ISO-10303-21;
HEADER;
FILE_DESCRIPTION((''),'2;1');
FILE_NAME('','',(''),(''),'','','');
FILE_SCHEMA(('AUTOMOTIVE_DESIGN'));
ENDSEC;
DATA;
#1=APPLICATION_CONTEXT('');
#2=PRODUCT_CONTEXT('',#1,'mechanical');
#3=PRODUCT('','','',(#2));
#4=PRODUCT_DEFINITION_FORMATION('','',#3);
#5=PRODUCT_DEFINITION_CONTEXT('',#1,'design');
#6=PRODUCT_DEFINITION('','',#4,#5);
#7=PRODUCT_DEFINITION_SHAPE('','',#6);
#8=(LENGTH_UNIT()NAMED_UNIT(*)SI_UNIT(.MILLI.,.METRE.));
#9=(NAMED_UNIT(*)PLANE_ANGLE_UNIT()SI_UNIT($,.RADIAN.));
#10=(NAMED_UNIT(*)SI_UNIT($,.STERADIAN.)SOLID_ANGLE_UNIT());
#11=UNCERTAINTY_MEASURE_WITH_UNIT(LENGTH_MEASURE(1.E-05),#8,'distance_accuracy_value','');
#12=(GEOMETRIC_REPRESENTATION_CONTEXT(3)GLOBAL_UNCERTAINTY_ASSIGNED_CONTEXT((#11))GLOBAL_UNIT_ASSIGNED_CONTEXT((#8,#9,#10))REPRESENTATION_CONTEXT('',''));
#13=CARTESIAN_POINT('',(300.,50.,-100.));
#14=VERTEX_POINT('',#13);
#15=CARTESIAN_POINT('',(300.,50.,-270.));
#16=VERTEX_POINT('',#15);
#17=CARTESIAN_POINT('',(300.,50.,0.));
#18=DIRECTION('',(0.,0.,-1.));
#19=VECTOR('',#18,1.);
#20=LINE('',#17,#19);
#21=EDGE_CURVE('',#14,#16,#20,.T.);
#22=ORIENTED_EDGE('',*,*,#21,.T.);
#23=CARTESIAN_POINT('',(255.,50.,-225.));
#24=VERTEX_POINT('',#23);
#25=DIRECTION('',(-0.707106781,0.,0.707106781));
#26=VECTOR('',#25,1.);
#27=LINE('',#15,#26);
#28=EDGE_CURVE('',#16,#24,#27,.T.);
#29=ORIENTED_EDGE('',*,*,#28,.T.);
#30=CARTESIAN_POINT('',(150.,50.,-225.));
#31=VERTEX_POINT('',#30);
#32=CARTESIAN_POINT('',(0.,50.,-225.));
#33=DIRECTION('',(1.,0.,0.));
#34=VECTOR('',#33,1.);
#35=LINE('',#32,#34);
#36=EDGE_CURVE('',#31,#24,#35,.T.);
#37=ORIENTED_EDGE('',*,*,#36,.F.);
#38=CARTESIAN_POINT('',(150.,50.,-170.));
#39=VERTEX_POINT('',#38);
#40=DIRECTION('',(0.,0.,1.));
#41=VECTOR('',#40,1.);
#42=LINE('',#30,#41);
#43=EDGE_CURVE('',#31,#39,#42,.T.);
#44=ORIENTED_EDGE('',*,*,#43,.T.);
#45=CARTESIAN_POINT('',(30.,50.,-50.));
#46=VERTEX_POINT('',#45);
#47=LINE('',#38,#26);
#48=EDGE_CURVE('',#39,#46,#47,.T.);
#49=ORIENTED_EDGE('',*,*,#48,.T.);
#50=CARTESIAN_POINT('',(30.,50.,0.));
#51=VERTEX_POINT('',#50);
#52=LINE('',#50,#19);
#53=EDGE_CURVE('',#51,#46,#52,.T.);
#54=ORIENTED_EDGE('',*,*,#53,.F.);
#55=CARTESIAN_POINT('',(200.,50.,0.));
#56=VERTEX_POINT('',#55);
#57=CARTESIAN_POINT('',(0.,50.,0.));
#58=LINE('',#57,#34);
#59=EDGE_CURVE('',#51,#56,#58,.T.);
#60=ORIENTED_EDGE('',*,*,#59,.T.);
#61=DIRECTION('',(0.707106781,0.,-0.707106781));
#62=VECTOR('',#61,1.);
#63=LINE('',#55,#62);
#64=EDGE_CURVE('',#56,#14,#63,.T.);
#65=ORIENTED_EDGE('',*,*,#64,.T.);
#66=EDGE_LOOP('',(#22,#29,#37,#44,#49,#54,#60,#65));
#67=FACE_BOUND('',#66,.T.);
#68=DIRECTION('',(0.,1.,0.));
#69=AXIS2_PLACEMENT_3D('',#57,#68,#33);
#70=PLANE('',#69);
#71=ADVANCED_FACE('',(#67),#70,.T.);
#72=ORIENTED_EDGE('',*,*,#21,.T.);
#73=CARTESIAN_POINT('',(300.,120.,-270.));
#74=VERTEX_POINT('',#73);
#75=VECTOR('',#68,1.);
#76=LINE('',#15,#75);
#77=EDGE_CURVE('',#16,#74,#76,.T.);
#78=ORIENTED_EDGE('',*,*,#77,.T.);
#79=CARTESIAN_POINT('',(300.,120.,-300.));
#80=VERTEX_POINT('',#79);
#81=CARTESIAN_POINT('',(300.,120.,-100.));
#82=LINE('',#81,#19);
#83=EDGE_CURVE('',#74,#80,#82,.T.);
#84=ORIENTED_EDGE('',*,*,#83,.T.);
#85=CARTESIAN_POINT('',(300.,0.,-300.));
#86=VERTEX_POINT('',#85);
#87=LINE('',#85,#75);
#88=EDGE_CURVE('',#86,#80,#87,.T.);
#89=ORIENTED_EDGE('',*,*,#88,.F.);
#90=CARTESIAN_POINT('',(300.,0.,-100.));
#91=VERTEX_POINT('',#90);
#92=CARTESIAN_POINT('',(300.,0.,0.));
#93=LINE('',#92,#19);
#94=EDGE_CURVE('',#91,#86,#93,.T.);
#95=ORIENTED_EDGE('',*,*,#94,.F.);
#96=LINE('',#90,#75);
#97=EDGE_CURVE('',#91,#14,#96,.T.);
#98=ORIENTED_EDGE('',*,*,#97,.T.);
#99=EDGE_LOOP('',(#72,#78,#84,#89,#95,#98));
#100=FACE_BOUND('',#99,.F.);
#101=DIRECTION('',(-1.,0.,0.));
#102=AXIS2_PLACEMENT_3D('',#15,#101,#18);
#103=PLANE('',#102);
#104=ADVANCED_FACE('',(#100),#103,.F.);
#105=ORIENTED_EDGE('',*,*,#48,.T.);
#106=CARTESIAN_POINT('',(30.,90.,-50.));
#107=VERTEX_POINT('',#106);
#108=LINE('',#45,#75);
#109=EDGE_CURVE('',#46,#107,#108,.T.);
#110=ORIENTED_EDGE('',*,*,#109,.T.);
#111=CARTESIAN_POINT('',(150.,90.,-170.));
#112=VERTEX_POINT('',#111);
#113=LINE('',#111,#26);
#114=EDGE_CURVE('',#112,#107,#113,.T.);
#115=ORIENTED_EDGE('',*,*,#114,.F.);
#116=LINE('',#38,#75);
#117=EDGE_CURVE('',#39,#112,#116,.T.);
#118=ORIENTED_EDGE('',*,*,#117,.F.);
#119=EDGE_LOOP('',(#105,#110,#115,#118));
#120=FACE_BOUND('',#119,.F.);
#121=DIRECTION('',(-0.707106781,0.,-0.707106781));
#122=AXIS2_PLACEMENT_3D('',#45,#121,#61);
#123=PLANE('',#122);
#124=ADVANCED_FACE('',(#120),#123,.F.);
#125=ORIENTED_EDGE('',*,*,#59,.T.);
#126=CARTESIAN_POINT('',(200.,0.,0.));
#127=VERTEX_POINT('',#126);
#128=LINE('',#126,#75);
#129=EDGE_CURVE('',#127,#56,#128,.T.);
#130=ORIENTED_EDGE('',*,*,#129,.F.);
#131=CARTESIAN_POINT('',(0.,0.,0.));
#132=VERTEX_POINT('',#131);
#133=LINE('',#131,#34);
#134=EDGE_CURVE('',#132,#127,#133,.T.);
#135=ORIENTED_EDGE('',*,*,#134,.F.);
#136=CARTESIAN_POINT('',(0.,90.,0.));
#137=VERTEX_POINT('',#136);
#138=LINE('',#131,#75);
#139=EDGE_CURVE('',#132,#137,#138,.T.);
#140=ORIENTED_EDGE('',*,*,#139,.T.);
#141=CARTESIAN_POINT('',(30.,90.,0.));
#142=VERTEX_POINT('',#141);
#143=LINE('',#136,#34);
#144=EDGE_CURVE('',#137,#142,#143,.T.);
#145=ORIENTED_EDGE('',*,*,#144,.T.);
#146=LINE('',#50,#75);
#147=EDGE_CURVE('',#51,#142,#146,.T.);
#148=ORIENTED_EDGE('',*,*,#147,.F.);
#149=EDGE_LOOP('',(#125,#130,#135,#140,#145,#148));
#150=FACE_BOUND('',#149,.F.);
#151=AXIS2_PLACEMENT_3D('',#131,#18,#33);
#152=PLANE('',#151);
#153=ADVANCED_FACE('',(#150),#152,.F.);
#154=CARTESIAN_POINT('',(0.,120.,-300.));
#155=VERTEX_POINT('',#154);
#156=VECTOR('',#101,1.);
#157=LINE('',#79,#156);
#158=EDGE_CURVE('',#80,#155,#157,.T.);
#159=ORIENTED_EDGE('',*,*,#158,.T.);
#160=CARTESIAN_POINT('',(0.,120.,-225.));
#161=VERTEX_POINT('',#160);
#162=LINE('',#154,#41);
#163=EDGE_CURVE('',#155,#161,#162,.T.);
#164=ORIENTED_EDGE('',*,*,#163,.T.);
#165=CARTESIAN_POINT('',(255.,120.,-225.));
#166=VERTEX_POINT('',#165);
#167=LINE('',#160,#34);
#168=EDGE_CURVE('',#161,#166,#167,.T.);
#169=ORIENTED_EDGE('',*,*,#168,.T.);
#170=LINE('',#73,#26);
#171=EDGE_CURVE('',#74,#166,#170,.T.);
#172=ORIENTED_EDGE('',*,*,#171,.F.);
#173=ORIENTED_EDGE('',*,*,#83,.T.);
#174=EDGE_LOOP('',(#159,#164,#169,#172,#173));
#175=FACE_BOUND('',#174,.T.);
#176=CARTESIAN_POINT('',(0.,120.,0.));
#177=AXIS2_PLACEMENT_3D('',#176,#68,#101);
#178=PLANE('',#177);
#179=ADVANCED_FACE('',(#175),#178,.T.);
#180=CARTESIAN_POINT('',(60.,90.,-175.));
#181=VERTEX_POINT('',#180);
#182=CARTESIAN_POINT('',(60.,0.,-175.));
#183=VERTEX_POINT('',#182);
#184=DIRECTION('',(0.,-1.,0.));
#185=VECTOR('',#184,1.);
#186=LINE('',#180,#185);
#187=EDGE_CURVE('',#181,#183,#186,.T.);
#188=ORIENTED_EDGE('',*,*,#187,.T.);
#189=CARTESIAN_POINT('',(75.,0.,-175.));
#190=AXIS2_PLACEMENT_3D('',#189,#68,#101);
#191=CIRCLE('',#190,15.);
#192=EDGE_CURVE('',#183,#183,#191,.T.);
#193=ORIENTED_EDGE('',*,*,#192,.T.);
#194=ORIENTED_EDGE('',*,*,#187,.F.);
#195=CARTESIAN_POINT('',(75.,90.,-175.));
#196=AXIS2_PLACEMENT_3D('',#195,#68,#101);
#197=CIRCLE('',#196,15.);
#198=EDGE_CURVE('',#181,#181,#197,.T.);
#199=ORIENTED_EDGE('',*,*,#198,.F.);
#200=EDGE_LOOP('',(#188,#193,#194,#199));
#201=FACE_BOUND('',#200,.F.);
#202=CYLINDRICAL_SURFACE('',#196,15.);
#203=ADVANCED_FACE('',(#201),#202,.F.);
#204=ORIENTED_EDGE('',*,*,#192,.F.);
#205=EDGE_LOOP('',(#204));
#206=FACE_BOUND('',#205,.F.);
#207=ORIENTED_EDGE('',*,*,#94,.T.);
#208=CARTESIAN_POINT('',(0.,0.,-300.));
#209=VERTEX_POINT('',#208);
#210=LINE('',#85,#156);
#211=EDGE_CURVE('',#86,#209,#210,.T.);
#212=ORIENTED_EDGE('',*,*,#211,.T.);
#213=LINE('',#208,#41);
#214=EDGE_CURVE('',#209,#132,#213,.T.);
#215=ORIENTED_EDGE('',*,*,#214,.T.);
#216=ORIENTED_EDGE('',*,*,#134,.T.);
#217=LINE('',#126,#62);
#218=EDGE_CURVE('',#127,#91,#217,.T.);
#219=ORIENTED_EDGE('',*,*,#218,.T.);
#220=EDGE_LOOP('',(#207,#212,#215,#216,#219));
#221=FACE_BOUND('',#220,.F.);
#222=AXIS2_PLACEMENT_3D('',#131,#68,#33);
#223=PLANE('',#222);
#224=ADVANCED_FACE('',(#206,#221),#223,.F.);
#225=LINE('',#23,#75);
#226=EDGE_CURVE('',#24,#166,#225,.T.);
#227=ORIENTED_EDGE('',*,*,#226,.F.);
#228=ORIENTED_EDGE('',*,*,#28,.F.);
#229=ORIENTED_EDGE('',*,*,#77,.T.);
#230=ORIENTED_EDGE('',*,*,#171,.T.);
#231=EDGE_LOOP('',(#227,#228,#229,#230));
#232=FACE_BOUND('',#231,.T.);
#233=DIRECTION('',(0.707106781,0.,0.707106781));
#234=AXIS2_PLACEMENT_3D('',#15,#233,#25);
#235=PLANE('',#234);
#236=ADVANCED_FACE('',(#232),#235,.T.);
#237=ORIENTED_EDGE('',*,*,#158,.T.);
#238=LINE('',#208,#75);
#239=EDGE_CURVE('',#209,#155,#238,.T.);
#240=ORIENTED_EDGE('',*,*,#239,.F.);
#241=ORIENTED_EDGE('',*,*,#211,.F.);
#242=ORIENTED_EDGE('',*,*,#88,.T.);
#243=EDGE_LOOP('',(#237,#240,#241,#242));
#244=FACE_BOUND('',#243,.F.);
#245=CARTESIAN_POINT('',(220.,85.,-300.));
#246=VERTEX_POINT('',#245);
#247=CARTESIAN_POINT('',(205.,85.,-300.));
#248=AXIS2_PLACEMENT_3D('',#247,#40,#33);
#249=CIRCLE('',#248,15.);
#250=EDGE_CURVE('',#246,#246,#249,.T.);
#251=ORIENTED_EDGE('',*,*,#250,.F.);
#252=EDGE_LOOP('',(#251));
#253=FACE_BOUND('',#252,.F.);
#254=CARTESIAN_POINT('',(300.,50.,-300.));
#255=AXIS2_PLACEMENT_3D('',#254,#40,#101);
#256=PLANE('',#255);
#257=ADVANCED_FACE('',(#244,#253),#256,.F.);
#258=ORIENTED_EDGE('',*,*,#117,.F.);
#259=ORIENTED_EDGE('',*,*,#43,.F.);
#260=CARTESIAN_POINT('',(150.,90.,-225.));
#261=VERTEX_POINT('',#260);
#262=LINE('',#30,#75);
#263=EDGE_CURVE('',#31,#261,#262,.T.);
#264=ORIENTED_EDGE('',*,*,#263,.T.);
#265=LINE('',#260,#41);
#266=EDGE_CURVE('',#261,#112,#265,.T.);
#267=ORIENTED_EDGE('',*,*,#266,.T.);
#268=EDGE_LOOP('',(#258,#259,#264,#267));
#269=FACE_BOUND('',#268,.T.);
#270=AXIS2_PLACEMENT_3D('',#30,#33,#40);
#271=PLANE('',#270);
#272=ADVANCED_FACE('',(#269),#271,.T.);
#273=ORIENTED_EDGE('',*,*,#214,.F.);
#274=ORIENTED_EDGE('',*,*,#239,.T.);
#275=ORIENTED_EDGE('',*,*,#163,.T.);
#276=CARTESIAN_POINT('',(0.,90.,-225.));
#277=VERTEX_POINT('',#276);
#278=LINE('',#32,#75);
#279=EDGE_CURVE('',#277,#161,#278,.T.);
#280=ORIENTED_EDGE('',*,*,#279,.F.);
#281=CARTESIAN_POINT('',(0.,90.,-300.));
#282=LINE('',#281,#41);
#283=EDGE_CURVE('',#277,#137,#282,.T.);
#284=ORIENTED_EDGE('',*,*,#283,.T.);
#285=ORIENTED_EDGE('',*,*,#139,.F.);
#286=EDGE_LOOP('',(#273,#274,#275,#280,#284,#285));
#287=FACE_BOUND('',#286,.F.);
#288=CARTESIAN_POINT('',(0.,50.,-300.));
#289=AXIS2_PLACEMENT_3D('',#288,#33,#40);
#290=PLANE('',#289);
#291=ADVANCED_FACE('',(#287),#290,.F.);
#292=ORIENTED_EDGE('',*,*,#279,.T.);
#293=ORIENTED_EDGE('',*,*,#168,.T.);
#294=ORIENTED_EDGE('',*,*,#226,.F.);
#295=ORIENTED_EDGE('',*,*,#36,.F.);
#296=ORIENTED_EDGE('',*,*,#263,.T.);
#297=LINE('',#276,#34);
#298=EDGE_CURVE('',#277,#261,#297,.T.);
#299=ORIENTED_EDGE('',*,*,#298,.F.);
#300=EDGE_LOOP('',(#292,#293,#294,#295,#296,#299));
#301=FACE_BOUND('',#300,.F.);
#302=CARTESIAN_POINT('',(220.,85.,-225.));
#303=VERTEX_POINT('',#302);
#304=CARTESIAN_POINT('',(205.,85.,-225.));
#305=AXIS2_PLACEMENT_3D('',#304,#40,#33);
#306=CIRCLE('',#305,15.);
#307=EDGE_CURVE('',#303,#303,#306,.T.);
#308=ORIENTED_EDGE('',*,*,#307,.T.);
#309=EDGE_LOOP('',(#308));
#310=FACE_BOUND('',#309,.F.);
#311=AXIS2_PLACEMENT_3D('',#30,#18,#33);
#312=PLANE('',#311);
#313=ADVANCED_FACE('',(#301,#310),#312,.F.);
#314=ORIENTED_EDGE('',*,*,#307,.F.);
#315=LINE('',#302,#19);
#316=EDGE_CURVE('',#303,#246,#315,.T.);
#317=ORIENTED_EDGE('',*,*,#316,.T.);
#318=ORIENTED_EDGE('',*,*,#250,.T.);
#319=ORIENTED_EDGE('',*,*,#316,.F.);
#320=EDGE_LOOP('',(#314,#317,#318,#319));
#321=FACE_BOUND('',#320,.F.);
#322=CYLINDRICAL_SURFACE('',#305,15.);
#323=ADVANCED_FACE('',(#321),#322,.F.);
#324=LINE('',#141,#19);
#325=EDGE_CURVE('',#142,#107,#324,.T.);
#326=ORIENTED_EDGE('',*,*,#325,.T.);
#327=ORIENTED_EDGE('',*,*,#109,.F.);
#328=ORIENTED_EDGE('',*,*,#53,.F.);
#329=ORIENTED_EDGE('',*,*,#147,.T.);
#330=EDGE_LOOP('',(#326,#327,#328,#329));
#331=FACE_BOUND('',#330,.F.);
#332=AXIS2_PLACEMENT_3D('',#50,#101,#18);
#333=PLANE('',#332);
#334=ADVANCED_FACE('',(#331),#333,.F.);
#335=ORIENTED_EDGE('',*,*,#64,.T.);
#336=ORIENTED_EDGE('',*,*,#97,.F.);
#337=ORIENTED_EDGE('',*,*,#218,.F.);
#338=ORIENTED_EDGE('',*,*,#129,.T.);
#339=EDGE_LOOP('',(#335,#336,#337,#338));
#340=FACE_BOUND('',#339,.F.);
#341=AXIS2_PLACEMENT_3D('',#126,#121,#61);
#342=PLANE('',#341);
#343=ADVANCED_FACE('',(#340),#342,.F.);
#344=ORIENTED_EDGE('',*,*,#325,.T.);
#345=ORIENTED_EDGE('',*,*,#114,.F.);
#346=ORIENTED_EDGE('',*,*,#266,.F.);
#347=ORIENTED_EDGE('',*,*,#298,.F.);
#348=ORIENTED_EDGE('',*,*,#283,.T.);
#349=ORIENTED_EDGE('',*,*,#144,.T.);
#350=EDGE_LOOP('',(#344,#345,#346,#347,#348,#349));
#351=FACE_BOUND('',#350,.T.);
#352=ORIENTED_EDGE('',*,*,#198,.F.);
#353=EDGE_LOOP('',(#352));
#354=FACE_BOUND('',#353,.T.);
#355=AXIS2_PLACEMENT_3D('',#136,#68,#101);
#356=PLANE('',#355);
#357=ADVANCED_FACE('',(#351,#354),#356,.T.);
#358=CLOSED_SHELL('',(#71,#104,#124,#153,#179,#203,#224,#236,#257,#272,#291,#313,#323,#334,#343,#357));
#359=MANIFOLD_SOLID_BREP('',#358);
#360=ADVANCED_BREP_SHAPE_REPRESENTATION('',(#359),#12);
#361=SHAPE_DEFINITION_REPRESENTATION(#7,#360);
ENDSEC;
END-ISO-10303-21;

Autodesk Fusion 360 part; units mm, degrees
sketch "Sketch1" plane through (0, 0, 0) normal (0, 1, 0) x (1, 0, 0)
  line L0 (0, 0) -> (300, 0)
  line L1 (300, 0) -> (300, 300)
  line L2 (300, 300) -> (0, 300)
  line L3 (0, 300) -> (0, 0)
  line L4 (0, 0) -> (200, 0)
  line L5 (300, 300) -> (300, 100)
  line L6 (200, 0) -> (300, 100)
  dimension "d1" = 300
  dimension "d2" = 300
  dimension "d3" = 200
  dimension "d4" = 200
extrude "Extrude1" add sketch "Sketch1" along normal blind 50 contours L0 L1 L2 L3 L4 L5 L6
sketch "Sketch2" plane through (0, 50, 0) normal (0, 1, 0) x (-1, 0, 0)
  line L0 (-300, -300) -> (0, -300)
  line L1 (0, -300) -> (0, 0)
  line L2 (0, 0) -> (-200, 0)
  line L3 (-200, 0) -> (-300, -100)
  line L4 (-300, -100) -> (-300, -300)
  line L5 (0, 0) -> (-30, 0)
  line L6 (-300, -300) -> (-300, -270)
  line L7 (0, -300) -> (0, -270)
  line L8 (0, -300) -> (0, -240)
  line L9 (-300, -270) -> (-255, -225)
  line L10 (0, -300) -> (0, -225)
  line L11 (0, -225) -> (-255, -225)
  line L12 (-30, 0) -> (-30, -50)
  line L13 (-30, -50) -> (-145.4741, -165.4741)
  line L14 (-30, -50) -> (133.305, -50) construction
  line L15 (0, -225) -> (-150, -225)
  line L16 (-150, -225) -> (-150, -170)
  line L17 (-30, -50) -> (-150, -170)
  line L18 (-30, -50) -> (157.6281, -50) construction
  dimension "d7" = 30
  dimension "d8" = 30
  dimension "d9" = 60
  dimension "d11" = 75
  dimension "d12" = 50
  dimension "d13" = 135
  dimension "d14" = 150
  dimension "d15" = 135
extrude "Extrude2" add sketch "Sketch2" along normal blind 40 contours L1 L2 L5 L11 L12 L13 L15 L16 L17
extrude "Extrude3" add sketch "Sketch2" along normal blind 70 contours L0 L1 L4 L6 L7 L8 L9 L10 L11 L15
sketch "Sketch4" plane through (0, 90, 0) normal (0, 1, 0) x (-1, 0, 0)
  line L0 (0, -225) -> (0, 0)
  line L1 (0, 0) -> (-30, 0)
  line L2 (-30, 0) -> (-30, -50)
  line L3 (-30, -50) -> (-150, -170)
  line L4 (-150, -170) -> (-150, -225)
  line L5 (-150, -225) -> (0, -225)
  circle A0 centre (-75, -175) radius 15
  dimension "d20" = 30
  dimension "d21" = 50
  dimension "d22" = 75
extrude "Extrude4" cut sketch "Sketch4" against normal blind 250 contours A0
sketch "Sketch5" plane through (0, 0, -225) normal (0, 0, 1) x (1, 0, 0)
  line L0 (0, 90) -> (150, 90)
  line L1 (150, 90) -> (150, 50)
  line L2 (150, 50) -> (255, 50)
  line L3 (255, 50) -> (255, 120)
  line L4 (255, 120) -> (0, 120)
  line L5 (0, 120) -> (0, 90)
  circle A0 centre (205, 85) radius 15
  dimension "d25" = 30
  dimension "d26" = 35
  dimension "d27" = 55
extrude "Extrude5" cut sketch "Sketch5" against normal blind 410 contours A0
